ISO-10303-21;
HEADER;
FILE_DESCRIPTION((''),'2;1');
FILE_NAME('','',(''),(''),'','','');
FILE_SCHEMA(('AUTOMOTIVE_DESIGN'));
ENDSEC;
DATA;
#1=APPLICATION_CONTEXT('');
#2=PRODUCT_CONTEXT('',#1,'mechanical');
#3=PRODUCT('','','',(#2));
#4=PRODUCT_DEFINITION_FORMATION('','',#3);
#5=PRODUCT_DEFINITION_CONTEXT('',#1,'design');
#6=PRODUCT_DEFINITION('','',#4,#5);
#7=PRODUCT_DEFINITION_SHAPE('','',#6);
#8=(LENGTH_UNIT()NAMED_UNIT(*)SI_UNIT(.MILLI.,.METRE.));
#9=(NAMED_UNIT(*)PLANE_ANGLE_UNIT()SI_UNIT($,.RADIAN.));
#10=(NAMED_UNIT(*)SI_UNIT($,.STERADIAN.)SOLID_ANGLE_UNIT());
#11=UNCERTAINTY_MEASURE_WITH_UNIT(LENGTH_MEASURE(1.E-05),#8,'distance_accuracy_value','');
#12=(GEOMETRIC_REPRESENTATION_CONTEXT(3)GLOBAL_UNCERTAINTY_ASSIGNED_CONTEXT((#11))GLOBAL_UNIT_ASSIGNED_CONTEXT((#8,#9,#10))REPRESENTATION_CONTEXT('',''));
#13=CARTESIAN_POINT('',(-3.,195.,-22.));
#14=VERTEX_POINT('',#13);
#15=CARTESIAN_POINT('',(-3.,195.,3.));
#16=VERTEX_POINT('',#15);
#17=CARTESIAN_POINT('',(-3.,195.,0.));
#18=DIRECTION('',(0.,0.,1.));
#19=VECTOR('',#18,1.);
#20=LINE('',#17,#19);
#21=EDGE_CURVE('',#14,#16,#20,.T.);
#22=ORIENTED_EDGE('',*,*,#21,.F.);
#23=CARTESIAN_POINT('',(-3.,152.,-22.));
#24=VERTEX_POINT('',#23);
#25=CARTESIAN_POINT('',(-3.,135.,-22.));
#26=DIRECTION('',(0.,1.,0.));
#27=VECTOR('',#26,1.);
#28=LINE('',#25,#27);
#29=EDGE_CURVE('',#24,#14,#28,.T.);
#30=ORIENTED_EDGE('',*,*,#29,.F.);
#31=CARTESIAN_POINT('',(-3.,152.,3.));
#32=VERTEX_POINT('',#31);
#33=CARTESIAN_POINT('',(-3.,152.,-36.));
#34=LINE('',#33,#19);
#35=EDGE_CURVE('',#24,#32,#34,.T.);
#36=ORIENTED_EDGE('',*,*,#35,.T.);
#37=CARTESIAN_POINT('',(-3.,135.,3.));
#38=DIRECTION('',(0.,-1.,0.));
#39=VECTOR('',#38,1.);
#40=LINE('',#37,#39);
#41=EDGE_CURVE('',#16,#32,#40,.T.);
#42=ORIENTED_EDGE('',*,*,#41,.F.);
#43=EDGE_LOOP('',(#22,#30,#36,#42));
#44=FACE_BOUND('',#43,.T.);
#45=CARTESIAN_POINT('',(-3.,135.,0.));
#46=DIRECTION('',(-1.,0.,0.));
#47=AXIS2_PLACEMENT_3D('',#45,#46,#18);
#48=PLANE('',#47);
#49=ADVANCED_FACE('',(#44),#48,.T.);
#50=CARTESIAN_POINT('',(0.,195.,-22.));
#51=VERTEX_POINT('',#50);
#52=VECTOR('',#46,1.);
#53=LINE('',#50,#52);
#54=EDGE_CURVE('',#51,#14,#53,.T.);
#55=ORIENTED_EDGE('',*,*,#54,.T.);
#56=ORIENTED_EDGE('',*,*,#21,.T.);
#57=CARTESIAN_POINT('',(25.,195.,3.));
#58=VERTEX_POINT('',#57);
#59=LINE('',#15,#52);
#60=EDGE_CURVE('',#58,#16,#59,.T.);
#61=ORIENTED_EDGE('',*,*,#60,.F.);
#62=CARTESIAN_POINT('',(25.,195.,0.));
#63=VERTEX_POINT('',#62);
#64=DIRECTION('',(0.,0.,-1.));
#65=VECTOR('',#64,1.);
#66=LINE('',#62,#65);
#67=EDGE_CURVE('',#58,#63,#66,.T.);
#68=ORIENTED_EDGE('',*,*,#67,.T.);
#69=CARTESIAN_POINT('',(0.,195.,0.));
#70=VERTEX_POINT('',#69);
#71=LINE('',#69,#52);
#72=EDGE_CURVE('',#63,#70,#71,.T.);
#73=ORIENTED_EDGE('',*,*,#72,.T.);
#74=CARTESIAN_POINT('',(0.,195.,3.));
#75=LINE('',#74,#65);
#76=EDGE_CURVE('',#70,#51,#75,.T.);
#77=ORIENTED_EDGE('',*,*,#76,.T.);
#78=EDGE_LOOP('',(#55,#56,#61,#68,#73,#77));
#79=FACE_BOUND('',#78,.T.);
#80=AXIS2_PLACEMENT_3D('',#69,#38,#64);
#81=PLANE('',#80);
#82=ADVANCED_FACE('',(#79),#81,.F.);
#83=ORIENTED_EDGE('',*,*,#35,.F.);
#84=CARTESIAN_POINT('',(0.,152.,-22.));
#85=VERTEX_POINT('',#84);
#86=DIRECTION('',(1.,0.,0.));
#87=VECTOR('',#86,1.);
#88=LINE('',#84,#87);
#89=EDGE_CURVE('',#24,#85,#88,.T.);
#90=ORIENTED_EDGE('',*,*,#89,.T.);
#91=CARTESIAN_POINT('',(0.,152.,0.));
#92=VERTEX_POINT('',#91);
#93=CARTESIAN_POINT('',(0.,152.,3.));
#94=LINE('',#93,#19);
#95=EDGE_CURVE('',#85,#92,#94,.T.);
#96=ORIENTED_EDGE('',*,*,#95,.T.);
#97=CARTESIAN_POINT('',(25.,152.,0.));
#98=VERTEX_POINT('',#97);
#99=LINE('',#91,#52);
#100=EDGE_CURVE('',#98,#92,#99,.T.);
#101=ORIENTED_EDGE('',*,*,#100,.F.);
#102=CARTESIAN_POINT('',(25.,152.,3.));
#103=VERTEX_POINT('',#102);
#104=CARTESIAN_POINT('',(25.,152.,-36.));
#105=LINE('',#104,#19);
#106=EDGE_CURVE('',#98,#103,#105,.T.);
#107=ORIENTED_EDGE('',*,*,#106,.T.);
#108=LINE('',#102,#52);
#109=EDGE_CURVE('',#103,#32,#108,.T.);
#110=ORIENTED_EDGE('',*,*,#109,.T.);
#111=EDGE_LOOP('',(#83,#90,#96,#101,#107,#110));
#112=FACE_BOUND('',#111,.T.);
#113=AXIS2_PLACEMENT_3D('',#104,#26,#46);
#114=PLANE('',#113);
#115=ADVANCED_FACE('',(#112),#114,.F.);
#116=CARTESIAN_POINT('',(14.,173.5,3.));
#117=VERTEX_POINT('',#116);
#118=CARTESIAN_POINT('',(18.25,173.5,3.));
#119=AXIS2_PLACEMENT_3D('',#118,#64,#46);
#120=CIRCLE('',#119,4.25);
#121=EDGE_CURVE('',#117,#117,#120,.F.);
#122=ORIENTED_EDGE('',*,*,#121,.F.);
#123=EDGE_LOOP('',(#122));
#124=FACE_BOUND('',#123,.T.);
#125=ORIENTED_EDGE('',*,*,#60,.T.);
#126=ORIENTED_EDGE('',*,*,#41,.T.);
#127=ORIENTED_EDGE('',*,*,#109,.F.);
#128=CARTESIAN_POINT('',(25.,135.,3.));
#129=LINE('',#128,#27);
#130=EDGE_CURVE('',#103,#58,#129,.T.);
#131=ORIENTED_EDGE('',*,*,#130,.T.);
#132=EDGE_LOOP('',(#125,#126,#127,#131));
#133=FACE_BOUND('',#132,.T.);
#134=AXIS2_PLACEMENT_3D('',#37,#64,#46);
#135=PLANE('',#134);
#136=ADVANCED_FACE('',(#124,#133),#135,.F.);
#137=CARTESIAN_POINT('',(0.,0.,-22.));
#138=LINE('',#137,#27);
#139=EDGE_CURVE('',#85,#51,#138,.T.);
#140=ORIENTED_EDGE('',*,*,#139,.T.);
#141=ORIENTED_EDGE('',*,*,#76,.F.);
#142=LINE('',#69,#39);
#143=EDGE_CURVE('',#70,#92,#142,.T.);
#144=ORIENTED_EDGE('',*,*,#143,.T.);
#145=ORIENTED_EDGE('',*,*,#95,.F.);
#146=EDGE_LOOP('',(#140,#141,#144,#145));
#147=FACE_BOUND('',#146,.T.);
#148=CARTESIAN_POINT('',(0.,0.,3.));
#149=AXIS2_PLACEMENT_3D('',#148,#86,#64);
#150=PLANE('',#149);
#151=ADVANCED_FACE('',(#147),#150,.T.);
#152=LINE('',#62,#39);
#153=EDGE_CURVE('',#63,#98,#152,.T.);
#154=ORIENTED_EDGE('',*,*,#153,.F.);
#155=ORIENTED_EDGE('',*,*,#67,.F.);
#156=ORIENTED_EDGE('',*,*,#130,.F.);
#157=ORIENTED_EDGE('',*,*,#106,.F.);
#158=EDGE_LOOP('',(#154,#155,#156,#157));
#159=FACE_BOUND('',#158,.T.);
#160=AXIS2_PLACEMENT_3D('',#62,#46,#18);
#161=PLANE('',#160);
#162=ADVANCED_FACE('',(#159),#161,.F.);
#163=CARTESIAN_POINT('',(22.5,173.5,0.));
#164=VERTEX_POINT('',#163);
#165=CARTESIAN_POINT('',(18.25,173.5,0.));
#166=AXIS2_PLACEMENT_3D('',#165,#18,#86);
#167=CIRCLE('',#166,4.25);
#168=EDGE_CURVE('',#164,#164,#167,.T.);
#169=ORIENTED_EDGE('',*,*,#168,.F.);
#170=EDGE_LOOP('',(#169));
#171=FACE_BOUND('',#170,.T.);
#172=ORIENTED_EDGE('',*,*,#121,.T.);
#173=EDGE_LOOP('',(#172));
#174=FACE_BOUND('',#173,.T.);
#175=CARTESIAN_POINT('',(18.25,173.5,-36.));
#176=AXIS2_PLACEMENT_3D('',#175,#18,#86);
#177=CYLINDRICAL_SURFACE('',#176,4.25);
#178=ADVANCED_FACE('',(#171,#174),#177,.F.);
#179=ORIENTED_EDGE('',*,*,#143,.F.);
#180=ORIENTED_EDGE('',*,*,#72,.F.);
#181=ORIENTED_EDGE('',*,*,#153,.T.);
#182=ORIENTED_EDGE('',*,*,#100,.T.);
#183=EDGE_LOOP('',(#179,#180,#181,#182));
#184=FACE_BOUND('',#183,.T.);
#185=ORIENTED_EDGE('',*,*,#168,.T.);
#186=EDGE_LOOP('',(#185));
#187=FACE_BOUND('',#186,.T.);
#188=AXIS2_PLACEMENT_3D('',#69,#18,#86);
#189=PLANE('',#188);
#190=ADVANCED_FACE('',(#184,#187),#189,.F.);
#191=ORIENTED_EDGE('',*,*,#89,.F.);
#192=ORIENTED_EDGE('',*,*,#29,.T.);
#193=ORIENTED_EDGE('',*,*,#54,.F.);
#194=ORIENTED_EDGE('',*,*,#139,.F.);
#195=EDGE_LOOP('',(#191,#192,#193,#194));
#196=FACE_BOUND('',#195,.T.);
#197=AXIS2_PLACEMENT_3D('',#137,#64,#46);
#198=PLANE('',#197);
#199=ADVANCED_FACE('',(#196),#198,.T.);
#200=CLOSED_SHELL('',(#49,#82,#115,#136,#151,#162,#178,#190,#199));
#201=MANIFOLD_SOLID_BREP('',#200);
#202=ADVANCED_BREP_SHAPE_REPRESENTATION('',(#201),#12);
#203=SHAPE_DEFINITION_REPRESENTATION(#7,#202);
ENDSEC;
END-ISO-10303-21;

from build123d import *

# Parameters (mm, degrees)
CROQUIS1_W              = 25
CROQUIS1_H              = 3
SALIENTE_EXTRUIR1_DEPTH = 195
CROQUIS2_R              = 4.25
CORTAR_EXTRUIR1_DEPTH   = 195
CROQUIS3_W              = 4
CROQUIS3_H              = 25
SALIENTE_EXTRUIR2_DEPTH = 195
SALIENTE_EXTRUIR3_START = 1
CROQUIS4_W              = 29
CROQUIS4_H              = 195
CROQUIS4_R              = 4.25
SALIENTE_EXTRUIR3_DEPTH = 1
CROQUIS5_W              = 149.811438776
CROQUIS5_H              = 152
CORTAR_EXTRUIR4_DEPTH   = 40
CROQUIS6_R              = 4.25
CORTAR_EXTRUIR5_DEPTH   = 40
SALIENTE_EXTRUIR4_DEPTH = 4
CROQUIS8_W              = 1
CROQUIS8_H              = 26
CORTAR_EXTRUIR6_DEPTH   = 60
CROQUIS9_W              = 28
CROQUIS9_H              = 1
CORTAR_EXTRUIR7_DEPTH   = 60


with BuildPart() as part:
    # Croquis1 → Saliente-Extruir1 (new body)
    with BuildSketch(Plane(origin=(0, 0, 0), x_dir=(1, 0, 0), z_dir=(0, 1, 0))):
        with Locations((12.5, -1.5)):
            Rectangle(CROQUIS1_W, CROQUIS1_H)
    extrude(amount=SALIENTE_EXTRUIR1_DEPTH)

    # Croquis2 → Cortar-Extruir1 (cut)
    with BuildSketch(Plane.XY.offset(3)):
        with Locations((18.25, 180)):
            Circle(CROQUIS2_R)
        with Locations((18.25, 97.5)):
            Circle(CROQUIS2_R)
        with Locations((18.25, 15)):
            Circle(CROQUIS2_R)
    extrude(amount=-CORTAR_EXTRUIR1_DEPTH, mode=Mode.SUBTRACT)

    # Croquis3 → Saliente-Extruir2 (add)
    with BuildSketch(Plane(origin=(0, 195, 0), x_dir=(1, 0, 0), z_dir=(0, 1, 0))):
        with Locations((-2, 9.5)):
            Rectangle(CROQUIS3_W, CROQUIS3_H)
    extrude(amount=-SALIENTE_EXTRUIR2_DEPTH)

    # Croquis4 → Saliente-Extruir3 (add)
    with BuildSketch(Plane.XY.offset(3).offset(SALIENTE_EXTRUIR3_START)):
        with Locations((10.5, 97.5)):
            Rectangle(CROQUIS4_W, CROQUIS4_H)
        with Locations((18.25, 15)):
            Circle(CROQUIS4_R, mode=Mode.SUBTRACT)
        with Locations((18.25, 97.5)):
            Circle(CROQUIS4_R, mode=Mode.SUBTRACT)
        with Locations((18.25, 180)):
            Circle(CROQUIS4_R, mode=Mode.SUBTRACT)
    extrude(amount=-SALIENTE_EXTRUIR3_DEPTH)

    # Croquis5 → Cortar-Extruir4 (cut)
    with BuildSketch(Plane.XY.offset(4)):
        with Locations((-49.905719388, 76)):
            Rectangle(CROQUIS5_W, CROQUIS5_H)
    extrude(amount=-CORTAR_EXTRUIR4_DEPTH, mode=Mode.SUBTRACT)

    # Croquis6 → Cortar-Extruir5 (cut)
    with BuildSketch(Plane.XY.offset(4)):
        with Locations((18.25, 173.5)):
            Circle(CROQUIS6_R)
    extrude(amount=-CORTAR_EXTRUIR5_DEPTH, mode=Mode.SUBTRACT)

    # Croquis7 → Saliente-Extruir4 (add)
    with BuildSketch(Plane.XY.offset(4)):
        with BuildLine():
            ThreePointArc((20.988612788, 176.75), (22.103673854, 178.207878959), (22.5, 180))
            ThreePointArc((22.5, 180), (16.457878959, 183.853673854), (15.511387212, 176.75))
            ThreePointArc((15.511387212, 176.75), (18.25, 177.75), (20.988612788, 176.75))
        make_face()
    extrude(amount=-SALIENTE_EXTRUIR4_DEPTH)

    # Croquis8 → Cortar-Extruir6 (cut)
    with BuildSketch(Plane(origin=(0, 195, 0), x_dir=(1, 0, 0), z_dir=(0, 1, 0))):
        with Locations((-3.5, 9)):
            Rectangle(CROQUIS8_W, CROQUIS8_H)
    extrude(amount=-CORTAR_EXTRUIR6_DEPTH, mode=Mode.SUBTRACT)

    # Croquis9 → Cortar-Extruir7 (cut)
    with BuildSketch(Plane(origin=(0, 195, 0), x_dir=(1, 0, 0), z_dir=(0, 1, 0))):
        with Locations((11, -3.5)):
            Rectangle(CROQUIS9_W, CROQUIS9_H)
    extrude(amount=-CORTAR_EXTRUIR7_DEPTH, mode=Mode.SUBTRACT)


solid = part.part
